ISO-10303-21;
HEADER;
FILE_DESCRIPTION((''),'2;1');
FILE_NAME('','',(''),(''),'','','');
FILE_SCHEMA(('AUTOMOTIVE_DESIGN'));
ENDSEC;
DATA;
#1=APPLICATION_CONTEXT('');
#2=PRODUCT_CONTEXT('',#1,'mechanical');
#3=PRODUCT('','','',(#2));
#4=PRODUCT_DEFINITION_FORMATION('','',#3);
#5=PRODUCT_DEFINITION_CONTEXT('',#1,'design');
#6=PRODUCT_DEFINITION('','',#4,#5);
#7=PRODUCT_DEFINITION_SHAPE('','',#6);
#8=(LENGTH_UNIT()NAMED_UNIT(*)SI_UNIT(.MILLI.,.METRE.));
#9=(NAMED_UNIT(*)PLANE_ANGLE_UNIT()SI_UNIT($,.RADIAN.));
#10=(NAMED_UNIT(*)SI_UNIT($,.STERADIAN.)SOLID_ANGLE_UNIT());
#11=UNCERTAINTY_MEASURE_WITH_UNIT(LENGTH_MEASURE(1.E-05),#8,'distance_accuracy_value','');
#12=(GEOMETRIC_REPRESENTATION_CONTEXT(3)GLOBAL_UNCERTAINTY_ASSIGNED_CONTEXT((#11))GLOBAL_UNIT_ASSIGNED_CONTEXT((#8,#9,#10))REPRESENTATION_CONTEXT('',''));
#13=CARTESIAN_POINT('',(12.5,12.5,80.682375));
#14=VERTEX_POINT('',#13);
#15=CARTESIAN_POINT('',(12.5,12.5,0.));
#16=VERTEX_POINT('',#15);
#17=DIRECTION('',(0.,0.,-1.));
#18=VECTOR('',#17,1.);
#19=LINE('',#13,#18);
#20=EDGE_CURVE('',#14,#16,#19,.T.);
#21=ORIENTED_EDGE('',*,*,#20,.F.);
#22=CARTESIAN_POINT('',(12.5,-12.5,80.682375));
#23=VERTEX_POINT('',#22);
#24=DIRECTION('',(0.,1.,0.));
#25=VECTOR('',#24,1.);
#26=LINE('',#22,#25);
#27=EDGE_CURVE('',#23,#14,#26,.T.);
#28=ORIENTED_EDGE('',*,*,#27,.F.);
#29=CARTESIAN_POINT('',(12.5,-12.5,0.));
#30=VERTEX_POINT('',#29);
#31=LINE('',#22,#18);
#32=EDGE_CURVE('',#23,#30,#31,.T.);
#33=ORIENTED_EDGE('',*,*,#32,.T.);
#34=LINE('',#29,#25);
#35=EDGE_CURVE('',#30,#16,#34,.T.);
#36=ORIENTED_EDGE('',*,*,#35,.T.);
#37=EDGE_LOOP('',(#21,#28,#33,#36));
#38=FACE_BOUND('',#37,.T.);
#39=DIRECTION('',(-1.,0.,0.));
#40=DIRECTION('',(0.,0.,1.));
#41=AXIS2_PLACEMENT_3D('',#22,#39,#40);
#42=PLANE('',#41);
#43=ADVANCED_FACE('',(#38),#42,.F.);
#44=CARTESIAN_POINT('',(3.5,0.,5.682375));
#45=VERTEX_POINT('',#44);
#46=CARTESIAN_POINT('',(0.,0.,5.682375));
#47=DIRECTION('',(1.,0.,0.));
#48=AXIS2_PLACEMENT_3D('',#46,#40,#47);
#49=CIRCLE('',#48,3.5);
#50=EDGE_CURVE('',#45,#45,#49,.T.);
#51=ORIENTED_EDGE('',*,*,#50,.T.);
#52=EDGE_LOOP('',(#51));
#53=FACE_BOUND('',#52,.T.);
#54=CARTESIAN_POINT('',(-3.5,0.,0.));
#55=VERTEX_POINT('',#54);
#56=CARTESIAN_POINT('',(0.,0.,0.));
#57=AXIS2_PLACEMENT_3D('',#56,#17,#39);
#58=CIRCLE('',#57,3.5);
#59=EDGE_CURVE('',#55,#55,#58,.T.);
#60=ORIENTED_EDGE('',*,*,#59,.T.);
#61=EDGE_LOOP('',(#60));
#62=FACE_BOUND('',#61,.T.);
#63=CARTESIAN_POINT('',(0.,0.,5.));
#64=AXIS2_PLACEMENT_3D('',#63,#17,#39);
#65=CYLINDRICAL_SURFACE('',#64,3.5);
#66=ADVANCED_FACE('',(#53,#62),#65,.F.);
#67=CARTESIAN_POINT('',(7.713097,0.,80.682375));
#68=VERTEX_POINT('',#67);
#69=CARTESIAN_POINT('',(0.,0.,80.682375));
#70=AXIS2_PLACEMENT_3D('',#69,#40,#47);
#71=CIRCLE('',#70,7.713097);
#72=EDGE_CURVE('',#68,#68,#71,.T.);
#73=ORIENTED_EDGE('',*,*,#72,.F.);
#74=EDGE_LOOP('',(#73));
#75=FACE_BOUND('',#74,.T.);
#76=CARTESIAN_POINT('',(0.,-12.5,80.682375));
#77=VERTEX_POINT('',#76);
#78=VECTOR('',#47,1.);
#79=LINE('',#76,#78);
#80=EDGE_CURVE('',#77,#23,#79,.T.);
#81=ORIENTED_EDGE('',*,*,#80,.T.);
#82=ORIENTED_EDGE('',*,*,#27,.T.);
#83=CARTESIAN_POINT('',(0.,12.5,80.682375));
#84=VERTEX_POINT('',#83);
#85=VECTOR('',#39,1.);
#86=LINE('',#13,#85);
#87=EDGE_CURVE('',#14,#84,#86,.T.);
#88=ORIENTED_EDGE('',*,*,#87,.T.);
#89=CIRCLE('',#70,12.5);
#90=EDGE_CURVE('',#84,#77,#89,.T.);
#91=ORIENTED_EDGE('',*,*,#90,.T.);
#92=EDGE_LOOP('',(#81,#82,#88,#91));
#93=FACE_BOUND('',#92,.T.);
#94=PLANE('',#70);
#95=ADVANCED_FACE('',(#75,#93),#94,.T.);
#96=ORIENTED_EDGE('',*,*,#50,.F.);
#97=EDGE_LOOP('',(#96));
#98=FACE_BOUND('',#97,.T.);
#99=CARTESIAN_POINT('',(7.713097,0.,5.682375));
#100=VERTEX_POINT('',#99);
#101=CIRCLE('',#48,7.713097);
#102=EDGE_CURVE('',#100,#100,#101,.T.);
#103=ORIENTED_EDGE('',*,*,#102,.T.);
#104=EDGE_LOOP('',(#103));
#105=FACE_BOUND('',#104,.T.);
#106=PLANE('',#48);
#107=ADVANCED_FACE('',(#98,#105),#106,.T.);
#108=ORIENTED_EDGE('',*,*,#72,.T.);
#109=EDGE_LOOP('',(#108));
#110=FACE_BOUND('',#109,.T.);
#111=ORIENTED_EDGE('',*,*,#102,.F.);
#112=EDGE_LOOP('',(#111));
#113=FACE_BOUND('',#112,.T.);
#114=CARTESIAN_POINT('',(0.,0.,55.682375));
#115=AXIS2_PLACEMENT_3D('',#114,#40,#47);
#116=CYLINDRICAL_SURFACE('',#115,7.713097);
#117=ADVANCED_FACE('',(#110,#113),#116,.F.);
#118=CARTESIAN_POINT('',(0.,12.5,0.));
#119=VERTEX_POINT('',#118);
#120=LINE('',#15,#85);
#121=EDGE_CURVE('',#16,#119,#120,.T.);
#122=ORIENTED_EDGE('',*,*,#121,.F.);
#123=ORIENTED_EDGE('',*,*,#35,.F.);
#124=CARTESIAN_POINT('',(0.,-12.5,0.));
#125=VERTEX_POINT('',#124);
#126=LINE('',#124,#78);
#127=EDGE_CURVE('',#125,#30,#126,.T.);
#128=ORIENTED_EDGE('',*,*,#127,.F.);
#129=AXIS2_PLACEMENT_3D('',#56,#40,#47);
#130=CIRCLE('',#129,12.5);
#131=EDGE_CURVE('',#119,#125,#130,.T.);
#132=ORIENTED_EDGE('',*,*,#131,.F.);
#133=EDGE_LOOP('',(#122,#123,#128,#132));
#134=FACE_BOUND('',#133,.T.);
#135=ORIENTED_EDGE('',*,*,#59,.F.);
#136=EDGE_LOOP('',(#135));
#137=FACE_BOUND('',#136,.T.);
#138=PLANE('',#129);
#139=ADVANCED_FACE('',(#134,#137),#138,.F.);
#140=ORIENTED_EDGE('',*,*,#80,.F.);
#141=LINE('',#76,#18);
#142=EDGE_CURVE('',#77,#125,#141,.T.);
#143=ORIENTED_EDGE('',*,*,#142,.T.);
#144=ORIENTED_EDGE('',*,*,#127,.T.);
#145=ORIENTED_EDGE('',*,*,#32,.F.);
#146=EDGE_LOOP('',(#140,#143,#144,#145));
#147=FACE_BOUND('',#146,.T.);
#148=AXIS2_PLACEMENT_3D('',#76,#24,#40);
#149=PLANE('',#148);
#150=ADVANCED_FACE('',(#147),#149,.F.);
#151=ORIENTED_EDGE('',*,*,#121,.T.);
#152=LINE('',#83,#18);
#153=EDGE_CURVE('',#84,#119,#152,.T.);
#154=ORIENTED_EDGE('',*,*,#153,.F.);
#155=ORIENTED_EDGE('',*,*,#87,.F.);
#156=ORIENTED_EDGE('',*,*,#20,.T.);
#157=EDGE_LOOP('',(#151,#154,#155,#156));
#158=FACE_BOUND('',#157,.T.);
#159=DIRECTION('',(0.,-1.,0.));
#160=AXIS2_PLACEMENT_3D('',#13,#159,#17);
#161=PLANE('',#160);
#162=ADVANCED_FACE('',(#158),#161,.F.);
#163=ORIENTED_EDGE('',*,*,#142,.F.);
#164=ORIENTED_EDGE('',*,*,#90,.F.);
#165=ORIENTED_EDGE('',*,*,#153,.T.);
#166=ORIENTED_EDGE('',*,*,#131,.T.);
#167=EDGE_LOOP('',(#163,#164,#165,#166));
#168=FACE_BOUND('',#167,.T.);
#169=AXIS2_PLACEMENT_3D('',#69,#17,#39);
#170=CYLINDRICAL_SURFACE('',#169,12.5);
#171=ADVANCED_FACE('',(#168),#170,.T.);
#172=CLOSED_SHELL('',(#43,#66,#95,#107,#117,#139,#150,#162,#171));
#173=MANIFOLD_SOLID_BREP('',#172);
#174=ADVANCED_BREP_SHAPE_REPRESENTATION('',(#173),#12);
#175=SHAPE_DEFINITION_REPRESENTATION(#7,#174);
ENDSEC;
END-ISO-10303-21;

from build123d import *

# Parameters (mm, degrees)
BOSS_EXTRUDE5_DEPTH = 80.682375276
SKETCH6_R           = 7.713097058
CUT_EXTRUDE3_DEPTH  = 25
SKETCH7_R           = 3.5
CUT_EXTRUDE4_DEPTH  = 5
SKETCH8_R           = 7.713097058
CUT_EXTRUDE5_DEPTH  = 50
SKETCH9_R           = 3.5
CUT_EXTRUDE6_DEPTH  = 50


with BuildPart() as part:
    # Sketch3 → Boss-Extrude5 (new body)
    with BuildSketch(Plane(origin=(0, 0, 0), x_dir=(0, 1, 0), z_dir=(0, 0, 1))):
        with BuildLine():
            Line((-12.5, 0), (-12.5, -12.5))
            Line((-12.5, -12.5), (12.5, -12.5))
            Line((12.5, -12.5), (12.5, 0))
            ThreePointArc((12.5, 0), (0, 12.5), (-12.5, 0))
        make_face()
    extrude(amount=BOSS_EXTRUDE5_DEPTH)

    # Sketch6 → Cut-Extrude3 (cut)
    with BuildSketch(Plane.XY.offset(80.682375276)):
        Circle(SKETCH6_R)
    extrude(amount=-CUT_EXTRUDE3_DEPTH, mode=Mode.SUBTRACT)

    # Sketch7 → Cut-Extrude4 (cut)
    with BuildSketch(Plane(origin=(0, 0, 0), x_dir=(1, 0, 0), z_dir=(0, 0, -1))):
        with Locations(Location((0, 0, 0), (0, 0, 180))):
            Circle(SKETCH7_R)
    extrude(amount=-CUT_EXTRUDE4_DEPTH, mode=Mode.SUBTRACT)

    # Sketch8 → Cut-Extrude5 (cut)
    with BuildSketch(Plane.XY.offset(55.682375276)):
        Circle(SKETCH8_R)
    extrude(amount=-CUT_EXTRUDE5_DEPTH, mode=Mode.SUBTRACT)

    # Sketch9 → Cut-Extrude6 (cut)
    with BuildSketch(Plane(origin=(0, 0, 0), x_dir=(1, 0, 0), z_dir=(0, 0, -1))):
        with Locations(Location((0, 0, 0), (0, 0, 180))):
            Circle(SKETCH9_R)
    extrude(amount=-CUT_EXTRUDE6_DEPTH, mode=Mode.SUBTRACT)


solid = part.part
